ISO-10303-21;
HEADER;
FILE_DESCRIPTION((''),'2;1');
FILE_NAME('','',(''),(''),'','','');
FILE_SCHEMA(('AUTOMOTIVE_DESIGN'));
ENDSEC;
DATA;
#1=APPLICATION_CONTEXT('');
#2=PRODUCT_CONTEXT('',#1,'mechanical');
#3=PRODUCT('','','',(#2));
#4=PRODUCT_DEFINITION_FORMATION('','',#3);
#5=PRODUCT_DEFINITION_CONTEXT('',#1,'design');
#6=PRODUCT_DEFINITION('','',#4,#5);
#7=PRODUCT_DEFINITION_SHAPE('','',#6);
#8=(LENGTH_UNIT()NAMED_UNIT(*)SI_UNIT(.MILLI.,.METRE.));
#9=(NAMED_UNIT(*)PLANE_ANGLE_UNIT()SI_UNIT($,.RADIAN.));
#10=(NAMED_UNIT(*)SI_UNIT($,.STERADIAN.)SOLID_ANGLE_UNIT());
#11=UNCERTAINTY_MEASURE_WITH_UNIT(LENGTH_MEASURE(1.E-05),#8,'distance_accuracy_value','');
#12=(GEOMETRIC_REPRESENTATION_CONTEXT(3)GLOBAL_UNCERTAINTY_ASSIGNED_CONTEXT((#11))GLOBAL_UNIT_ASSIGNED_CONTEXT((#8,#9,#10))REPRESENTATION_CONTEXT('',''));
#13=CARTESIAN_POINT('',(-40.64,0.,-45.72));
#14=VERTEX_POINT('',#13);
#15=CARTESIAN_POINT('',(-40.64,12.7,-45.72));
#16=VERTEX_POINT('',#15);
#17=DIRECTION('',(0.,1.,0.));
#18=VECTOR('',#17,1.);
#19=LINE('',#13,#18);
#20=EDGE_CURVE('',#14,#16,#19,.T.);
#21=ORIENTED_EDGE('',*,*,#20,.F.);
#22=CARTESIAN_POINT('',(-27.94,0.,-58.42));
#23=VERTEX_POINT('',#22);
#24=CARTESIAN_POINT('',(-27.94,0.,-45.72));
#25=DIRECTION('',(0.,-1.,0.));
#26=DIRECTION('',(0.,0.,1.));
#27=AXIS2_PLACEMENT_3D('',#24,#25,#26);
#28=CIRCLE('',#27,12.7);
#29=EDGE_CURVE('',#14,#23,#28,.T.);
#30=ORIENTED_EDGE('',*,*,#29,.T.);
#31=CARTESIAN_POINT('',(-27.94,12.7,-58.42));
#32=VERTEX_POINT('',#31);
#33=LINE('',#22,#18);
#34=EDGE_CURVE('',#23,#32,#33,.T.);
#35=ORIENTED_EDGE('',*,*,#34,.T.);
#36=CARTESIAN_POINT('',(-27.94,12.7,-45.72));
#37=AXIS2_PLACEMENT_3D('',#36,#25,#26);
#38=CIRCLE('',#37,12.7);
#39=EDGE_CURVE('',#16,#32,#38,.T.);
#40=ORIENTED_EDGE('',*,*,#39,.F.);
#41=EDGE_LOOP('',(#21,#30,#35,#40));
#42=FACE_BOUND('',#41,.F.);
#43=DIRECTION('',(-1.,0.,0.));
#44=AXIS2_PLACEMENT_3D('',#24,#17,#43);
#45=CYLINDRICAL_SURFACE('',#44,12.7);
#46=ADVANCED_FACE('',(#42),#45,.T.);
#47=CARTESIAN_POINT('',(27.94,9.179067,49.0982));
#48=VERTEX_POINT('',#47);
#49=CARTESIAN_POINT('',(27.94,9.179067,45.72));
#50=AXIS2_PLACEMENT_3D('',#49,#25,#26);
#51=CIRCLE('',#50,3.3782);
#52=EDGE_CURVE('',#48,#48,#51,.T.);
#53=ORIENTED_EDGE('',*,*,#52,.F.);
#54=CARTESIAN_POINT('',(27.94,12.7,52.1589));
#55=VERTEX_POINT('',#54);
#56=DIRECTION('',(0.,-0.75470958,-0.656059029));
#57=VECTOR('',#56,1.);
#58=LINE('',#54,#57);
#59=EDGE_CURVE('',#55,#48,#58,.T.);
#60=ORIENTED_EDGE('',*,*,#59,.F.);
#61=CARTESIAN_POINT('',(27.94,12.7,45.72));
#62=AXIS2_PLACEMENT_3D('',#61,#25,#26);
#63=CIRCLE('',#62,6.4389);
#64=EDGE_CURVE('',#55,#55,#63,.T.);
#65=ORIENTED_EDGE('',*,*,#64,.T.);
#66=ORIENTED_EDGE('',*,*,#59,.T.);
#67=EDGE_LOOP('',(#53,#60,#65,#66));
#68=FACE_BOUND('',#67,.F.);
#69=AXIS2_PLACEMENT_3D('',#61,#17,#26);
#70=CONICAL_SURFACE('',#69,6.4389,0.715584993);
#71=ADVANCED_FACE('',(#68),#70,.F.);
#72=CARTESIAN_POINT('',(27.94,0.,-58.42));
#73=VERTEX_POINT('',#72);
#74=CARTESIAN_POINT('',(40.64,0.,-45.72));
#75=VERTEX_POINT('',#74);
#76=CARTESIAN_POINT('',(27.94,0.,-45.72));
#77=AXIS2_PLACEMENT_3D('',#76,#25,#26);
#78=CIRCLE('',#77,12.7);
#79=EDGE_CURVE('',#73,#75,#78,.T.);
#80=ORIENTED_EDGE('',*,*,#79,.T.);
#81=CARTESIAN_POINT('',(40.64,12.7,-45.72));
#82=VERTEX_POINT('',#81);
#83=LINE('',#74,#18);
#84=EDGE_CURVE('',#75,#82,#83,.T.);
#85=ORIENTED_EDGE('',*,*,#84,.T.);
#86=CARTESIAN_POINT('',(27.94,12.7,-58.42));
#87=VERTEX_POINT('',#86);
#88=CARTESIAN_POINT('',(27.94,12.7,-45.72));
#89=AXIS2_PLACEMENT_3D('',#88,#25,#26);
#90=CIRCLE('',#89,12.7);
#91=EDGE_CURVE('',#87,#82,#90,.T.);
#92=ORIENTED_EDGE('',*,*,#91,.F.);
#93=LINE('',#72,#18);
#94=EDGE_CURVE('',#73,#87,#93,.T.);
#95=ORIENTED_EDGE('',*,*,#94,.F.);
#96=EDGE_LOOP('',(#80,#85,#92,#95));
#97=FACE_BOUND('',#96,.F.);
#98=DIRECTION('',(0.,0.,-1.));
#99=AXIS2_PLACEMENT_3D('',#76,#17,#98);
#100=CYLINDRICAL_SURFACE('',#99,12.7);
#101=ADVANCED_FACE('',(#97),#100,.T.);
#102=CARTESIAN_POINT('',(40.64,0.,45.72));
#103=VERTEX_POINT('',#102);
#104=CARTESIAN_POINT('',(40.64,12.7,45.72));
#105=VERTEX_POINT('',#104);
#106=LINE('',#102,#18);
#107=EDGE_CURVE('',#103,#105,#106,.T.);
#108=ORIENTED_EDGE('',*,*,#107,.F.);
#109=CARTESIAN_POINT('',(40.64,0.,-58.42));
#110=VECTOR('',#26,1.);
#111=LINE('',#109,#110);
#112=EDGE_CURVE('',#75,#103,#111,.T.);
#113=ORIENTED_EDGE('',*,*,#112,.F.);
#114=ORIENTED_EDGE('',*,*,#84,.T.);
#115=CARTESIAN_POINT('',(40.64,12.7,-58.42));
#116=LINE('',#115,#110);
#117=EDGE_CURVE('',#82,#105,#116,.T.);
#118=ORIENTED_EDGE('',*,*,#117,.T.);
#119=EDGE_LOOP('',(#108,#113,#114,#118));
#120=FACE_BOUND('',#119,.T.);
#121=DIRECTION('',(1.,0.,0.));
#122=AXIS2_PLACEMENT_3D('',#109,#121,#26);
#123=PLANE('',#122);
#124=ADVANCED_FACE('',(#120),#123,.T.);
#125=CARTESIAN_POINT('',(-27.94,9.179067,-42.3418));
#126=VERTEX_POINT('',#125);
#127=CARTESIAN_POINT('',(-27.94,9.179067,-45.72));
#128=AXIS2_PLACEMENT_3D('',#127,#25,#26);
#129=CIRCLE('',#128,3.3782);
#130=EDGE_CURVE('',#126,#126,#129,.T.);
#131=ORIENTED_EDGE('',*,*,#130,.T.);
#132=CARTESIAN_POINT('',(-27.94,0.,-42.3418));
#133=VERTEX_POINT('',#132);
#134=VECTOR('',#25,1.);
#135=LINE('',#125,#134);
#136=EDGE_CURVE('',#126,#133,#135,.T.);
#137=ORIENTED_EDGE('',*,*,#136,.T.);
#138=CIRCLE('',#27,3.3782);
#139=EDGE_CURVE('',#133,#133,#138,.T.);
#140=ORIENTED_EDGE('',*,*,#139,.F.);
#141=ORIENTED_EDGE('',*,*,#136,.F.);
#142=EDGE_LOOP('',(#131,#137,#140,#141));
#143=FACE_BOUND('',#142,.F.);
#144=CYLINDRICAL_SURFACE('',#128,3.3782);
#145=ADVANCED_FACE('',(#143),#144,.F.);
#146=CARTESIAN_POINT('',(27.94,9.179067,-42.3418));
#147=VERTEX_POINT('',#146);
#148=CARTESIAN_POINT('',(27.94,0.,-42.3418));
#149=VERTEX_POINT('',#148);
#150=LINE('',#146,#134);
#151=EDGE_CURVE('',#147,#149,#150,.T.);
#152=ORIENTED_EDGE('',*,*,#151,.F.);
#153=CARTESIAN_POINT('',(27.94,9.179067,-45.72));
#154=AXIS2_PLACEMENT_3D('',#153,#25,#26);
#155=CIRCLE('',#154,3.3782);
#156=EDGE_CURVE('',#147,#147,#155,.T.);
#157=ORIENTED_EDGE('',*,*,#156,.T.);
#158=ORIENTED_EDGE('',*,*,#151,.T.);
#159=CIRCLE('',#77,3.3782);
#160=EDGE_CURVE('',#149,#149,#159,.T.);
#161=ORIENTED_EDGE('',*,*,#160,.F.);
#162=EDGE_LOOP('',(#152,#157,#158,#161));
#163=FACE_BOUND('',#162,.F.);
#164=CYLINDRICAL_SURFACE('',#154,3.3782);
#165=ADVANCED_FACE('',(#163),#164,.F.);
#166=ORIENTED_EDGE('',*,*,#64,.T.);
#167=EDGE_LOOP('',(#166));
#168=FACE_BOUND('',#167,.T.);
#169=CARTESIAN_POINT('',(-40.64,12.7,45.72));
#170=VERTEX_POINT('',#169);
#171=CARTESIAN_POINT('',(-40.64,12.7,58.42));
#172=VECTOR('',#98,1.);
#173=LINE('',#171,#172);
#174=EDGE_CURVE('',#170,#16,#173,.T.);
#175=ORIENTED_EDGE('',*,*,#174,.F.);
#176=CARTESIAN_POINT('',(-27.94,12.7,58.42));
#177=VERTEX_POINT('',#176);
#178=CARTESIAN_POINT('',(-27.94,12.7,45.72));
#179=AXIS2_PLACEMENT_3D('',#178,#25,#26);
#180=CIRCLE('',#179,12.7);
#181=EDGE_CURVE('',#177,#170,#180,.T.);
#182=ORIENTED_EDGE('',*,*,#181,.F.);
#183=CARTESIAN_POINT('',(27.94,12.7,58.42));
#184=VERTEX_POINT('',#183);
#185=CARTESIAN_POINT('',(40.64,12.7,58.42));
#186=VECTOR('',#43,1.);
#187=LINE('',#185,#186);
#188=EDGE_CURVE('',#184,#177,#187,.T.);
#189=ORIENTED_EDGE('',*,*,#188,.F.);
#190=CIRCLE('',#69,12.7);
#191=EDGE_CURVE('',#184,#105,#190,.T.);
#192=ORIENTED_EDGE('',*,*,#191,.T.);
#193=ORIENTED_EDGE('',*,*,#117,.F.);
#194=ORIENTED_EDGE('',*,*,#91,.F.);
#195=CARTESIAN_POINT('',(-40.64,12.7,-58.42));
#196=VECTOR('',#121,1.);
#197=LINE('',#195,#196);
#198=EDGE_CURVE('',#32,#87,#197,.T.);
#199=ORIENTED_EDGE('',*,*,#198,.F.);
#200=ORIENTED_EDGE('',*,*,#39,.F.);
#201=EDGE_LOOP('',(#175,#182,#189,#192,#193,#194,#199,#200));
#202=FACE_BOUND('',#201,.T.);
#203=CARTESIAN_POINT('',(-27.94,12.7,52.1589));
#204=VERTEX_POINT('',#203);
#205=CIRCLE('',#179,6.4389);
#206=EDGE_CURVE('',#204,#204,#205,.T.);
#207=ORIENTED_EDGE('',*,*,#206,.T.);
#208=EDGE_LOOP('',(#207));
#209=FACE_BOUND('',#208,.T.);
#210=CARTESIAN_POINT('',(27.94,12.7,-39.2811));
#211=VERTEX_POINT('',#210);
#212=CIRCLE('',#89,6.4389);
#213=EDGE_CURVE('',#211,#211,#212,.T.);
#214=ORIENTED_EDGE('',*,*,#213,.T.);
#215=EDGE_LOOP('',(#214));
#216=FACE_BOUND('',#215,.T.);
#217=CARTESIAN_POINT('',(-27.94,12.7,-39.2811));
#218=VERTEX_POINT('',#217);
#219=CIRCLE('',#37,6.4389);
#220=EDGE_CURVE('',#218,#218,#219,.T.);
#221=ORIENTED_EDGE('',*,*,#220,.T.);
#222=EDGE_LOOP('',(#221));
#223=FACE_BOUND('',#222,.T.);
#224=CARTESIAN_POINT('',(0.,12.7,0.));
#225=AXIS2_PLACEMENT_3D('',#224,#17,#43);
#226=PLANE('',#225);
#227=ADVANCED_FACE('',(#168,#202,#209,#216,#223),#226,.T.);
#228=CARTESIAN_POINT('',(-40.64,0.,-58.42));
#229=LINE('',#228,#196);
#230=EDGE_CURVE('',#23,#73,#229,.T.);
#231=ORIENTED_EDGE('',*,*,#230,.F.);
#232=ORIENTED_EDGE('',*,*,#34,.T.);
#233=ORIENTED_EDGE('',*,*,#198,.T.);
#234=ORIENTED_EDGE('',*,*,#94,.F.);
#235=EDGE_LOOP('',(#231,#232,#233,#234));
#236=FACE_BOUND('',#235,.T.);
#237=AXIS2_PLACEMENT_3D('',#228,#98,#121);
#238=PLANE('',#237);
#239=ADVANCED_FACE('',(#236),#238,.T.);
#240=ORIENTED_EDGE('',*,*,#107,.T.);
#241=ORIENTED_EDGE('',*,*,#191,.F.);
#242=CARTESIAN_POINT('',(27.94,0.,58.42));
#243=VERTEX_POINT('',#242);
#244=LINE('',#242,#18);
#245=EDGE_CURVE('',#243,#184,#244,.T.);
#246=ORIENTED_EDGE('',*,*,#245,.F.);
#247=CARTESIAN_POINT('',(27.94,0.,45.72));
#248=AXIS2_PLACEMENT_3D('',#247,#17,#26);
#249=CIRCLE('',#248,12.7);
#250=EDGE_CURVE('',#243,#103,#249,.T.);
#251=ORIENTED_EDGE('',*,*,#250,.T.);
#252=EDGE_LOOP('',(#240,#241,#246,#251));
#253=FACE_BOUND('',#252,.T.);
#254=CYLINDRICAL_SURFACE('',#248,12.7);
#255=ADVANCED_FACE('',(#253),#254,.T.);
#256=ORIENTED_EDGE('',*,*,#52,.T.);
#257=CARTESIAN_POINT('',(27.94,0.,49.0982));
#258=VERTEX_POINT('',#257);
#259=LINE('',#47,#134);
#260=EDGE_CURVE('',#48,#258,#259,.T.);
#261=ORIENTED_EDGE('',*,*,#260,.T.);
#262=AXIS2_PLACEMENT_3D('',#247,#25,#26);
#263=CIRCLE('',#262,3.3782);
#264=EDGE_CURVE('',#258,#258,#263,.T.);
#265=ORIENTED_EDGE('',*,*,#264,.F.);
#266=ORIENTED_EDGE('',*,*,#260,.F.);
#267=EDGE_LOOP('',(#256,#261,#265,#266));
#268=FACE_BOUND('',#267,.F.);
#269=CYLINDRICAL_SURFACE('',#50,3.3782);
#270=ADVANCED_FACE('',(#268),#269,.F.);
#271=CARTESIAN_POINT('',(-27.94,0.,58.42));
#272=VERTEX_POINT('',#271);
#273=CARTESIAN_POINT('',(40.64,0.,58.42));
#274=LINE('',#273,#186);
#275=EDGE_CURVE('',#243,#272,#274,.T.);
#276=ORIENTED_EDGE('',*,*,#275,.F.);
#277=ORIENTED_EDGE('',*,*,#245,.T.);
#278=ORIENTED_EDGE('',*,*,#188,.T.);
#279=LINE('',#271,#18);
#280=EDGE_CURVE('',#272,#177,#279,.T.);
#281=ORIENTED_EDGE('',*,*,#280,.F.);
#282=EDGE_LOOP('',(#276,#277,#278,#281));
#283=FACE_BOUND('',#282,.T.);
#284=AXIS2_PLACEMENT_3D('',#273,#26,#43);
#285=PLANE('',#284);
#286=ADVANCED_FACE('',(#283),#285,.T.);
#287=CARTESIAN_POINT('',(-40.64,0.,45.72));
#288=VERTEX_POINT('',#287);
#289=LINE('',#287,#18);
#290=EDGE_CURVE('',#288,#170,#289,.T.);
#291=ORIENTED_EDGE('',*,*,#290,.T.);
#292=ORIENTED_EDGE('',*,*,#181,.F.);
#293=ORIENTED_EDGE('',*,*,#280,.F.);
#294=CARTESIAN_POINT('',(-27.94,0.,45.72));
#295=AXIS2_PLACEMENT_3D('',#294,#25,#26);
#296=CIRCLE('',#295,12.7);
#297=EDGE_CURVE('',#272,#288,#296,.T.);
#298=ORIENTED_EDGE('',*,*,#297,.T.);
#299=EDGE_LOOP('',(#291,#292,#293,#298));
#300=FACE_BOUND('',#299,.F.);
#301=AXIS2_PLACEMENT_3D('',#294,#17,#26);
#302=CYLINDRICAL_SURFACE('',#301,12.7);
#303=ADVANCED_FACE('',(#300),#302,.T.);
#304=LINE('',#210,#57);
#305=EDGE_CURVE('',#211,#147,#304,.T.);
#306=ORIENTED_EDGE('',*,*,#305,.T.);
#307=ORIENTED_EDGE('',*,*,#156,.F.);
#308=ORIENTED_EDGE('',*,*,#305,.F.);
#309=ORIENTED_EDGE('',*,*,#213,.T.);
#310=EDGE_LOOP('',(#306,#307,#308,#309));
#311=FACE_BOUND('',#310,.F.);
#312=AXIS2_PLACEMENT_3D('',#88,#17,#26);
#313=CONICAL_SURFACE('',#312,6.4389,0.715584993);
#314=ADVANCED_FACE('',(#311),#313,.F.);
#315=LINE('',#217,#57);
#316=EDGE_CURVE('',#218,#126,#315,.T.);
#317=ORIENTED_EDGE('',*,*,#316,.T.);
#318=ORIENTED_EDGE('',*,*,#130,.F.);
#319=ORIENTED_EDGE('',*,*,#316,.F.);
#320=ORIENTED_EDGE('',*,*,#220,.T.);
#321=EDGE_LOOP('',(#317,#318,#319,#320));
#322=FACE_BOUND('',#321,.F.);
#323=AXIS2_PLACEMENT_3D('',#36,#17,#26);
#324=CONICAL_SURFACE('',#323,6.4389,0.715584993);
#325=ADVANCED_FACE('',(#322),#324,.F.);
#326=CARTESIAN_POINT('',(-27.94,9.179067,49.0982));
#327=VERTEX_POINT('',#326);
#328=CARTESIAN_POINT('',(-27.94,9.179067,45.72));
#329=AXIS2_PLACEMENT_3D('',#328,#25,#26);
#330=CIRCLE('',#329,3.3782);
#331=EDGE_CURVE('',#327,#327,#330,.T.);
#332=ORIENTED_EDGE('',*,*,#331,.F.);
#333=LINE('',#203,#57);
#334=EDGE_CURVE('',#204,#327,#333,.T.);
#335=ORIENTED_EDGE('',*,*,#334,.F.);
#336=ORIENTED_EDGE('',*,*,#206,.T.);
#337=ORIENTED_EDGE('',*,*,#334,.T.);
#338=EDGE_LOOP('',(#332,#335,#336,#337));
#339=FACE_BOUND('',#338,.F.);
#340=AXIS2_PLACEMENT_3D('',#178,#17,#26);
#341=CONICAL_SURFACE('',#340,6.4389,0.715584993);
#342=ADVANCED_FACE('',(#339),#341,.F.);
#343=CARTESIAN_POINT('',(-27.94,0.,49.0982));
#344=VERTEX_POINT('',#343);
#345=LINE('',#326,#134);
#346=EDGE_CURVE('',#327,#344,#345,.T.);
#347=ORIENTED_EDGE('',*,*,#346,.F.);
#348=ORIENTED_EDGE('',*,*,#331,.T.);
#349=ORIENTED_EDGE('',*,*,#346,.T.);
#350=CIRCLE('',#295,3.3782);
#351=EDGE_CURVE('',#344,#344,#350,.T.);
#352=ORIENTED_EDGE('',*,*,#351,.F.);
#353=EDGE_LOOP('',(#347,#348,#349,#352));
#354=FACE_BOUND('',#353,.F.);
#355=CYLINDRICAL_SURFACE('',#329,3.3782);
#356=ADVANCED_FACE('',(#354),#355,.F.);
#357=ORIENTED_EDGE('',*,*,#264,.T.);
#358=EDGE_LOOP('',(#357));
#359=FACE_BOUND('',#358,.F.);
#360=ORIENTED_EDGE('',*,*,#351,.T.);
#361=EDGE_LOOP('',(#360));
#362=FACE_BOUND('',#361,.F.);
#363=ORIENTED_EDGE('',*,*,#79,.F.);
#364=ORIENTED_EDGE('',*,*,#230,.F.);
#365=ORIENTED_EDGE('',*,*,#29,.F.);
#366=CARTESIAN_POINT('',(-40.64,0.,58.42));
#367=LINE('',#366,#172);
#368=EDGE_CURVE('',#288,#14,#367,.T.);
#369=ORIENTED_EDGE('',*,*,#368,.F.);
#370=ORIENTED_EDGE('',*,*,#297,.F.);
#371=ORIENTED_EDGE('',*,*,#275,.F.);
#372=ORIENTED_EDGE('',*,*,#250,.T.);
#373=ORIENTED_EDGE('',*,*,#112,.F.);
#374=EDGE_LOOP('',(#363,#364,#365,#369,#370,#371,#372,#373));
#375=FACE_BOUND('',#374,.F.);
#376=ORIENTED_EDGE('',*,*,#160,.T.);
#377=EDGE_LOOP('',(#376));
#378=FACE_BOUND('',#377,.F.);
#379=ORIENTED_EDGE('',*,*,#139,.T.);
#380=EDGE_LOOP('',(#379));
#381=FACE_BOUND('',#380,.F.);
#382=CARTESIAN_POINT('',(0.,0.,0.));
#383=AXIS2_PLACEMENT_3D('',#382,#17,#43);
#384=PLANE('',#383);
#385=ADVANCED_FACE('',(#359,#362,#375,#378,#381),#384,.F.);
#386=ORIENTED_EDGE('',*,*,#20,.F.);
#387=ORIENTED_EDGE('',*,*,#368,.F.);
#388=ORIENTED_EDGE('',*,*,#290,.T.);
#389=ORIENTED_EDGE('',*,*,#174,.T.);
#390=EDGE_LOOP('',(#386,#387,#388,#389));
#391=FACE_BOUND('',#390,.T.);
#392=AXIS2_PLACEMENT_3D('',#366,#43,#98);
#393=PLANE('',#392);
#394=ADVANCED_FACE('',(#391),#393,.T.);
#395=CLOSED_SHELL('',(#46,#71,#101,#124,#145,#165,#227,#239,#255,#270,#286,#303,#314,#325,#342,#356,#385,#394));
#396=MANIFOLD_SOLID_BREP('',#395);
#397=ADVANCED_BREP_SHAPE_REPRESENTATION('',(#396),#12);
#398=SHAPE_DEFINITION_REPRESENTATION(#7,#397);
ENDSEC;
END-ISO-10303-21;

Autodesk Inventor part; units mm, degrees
ref_plane "YZ Plane" through (0, 0, 0) normal (1, 0, 0) x (0, 1, 0)
ref_plane "XZ Plane" through (0, 0, 0) normal (0, 1, 0) x (-1, 0, 0)
ref_plane "XY Plane" through (0, 0, 0) normal (0, 0, 1) x (1, 0, 0)
sketch "Sketch1" plane through (0, 0, 0) normal (0, 1, 0) x (-1, 0, 0)
  line L0 (-40.64, 58.42) -> (40.64, 58.42)
  line L1 (40.64, 58.42) -> (40.64, -58.42)
  line L2 (40.64, -58.42) -> (-40.64, -58.42)
  line L3 (-40.64, -58.42) -> (-40.64, 58.42)
  point P0 (0, 0)
  point P1 (0, 58.42)
  point P2 (40.64, 0)
  dimension "d0" = 81.28
  dimension "d1" = 116.84
extrude "Extrusion1" add sketch "Sketch1" along normal blind 12.7
fillet "Fillet1" radius 12.7 4 edges at (-40.64, 6.35, 58.42) (-40.64, 6.35, -58.42) (40.64, 6.35, 58.42) (40.64, 6.35, -58.42)
sketch "Sketch2" plane through (0, 12.7, 0) normal (0, 1, 0) x (1, 0, 0)
  arc A0 (-27.94, 58.42) -> (-40.64, 45.72) centre (-27.94, 45.72) ccw projected
  point P0 (0, 0)
hole "Hole1" at (-27.94, 12.7, -45.72) direction (0, -1, 0) diameter 6.7564 end through all countersink diameter 12.8778 countersink angle 82 clearance for "Flat Head Machine Screw (82)" size "1/4" standard "Ansi Unified Screw Threads"
sketch "Sketch3" plane through (0, 12.7, 0) normal (0, 1, 0) x (1, 0, 0)
  arc A0 (-40.64, -45.72) -> (-27.94, -58.42) centre (-27.94, -45.72) ccw projected
  point P0 (0, 0)
hole "Hole2" at (-27.94, 12.7, 45.72) direction (0, -1, 0) diameter 6.7564 end through all countersink diameter 12.8778 countersink angle 82 clearance for "Flat Head Machine Screw (82)" size "1/4" standard "Ansi Unified Screw Threads"
sketch "Sketch4" plane through (0, 12.7, 0) normal (0, 1, 0) x (1, 0, 0)
  arc A0 (27.94, -58.42) -> (40.64, -45.72) centre (27.94, -45.72) ccw projected
  point P0 (0, 0)
hole "Hole3" at (27.94, 12.7, 45.72) direction (0, -1, 0) diameter 6.7564 end through all countersink diameter 12.8778 countersink angle 82 clearance for "Flat Head Machine Screw (82)" size "1/4" standard "Ansi Unified Screw Threads"
sketch "Sketch5" plane through (0, 12.7, 0) normal (0, 1, 0) x (1, 0, 0)
  arc A0 (40.64, 45.72) -> (27.94, 58.42) centre (27.94, 45.72) ccw projected
  point P0 (0, 0)
hole "Hole4" at (27.94, 12.7, -45.72) direction (0, -1, 0) diameter 6.7564 end through all countersink diameter 12.8778 countersink angle 82 clearance for "Flat Head Machine Screw (82)" size "1/4" standard "Ansi Unified Screw Threads"
properties part number "Base plate"
